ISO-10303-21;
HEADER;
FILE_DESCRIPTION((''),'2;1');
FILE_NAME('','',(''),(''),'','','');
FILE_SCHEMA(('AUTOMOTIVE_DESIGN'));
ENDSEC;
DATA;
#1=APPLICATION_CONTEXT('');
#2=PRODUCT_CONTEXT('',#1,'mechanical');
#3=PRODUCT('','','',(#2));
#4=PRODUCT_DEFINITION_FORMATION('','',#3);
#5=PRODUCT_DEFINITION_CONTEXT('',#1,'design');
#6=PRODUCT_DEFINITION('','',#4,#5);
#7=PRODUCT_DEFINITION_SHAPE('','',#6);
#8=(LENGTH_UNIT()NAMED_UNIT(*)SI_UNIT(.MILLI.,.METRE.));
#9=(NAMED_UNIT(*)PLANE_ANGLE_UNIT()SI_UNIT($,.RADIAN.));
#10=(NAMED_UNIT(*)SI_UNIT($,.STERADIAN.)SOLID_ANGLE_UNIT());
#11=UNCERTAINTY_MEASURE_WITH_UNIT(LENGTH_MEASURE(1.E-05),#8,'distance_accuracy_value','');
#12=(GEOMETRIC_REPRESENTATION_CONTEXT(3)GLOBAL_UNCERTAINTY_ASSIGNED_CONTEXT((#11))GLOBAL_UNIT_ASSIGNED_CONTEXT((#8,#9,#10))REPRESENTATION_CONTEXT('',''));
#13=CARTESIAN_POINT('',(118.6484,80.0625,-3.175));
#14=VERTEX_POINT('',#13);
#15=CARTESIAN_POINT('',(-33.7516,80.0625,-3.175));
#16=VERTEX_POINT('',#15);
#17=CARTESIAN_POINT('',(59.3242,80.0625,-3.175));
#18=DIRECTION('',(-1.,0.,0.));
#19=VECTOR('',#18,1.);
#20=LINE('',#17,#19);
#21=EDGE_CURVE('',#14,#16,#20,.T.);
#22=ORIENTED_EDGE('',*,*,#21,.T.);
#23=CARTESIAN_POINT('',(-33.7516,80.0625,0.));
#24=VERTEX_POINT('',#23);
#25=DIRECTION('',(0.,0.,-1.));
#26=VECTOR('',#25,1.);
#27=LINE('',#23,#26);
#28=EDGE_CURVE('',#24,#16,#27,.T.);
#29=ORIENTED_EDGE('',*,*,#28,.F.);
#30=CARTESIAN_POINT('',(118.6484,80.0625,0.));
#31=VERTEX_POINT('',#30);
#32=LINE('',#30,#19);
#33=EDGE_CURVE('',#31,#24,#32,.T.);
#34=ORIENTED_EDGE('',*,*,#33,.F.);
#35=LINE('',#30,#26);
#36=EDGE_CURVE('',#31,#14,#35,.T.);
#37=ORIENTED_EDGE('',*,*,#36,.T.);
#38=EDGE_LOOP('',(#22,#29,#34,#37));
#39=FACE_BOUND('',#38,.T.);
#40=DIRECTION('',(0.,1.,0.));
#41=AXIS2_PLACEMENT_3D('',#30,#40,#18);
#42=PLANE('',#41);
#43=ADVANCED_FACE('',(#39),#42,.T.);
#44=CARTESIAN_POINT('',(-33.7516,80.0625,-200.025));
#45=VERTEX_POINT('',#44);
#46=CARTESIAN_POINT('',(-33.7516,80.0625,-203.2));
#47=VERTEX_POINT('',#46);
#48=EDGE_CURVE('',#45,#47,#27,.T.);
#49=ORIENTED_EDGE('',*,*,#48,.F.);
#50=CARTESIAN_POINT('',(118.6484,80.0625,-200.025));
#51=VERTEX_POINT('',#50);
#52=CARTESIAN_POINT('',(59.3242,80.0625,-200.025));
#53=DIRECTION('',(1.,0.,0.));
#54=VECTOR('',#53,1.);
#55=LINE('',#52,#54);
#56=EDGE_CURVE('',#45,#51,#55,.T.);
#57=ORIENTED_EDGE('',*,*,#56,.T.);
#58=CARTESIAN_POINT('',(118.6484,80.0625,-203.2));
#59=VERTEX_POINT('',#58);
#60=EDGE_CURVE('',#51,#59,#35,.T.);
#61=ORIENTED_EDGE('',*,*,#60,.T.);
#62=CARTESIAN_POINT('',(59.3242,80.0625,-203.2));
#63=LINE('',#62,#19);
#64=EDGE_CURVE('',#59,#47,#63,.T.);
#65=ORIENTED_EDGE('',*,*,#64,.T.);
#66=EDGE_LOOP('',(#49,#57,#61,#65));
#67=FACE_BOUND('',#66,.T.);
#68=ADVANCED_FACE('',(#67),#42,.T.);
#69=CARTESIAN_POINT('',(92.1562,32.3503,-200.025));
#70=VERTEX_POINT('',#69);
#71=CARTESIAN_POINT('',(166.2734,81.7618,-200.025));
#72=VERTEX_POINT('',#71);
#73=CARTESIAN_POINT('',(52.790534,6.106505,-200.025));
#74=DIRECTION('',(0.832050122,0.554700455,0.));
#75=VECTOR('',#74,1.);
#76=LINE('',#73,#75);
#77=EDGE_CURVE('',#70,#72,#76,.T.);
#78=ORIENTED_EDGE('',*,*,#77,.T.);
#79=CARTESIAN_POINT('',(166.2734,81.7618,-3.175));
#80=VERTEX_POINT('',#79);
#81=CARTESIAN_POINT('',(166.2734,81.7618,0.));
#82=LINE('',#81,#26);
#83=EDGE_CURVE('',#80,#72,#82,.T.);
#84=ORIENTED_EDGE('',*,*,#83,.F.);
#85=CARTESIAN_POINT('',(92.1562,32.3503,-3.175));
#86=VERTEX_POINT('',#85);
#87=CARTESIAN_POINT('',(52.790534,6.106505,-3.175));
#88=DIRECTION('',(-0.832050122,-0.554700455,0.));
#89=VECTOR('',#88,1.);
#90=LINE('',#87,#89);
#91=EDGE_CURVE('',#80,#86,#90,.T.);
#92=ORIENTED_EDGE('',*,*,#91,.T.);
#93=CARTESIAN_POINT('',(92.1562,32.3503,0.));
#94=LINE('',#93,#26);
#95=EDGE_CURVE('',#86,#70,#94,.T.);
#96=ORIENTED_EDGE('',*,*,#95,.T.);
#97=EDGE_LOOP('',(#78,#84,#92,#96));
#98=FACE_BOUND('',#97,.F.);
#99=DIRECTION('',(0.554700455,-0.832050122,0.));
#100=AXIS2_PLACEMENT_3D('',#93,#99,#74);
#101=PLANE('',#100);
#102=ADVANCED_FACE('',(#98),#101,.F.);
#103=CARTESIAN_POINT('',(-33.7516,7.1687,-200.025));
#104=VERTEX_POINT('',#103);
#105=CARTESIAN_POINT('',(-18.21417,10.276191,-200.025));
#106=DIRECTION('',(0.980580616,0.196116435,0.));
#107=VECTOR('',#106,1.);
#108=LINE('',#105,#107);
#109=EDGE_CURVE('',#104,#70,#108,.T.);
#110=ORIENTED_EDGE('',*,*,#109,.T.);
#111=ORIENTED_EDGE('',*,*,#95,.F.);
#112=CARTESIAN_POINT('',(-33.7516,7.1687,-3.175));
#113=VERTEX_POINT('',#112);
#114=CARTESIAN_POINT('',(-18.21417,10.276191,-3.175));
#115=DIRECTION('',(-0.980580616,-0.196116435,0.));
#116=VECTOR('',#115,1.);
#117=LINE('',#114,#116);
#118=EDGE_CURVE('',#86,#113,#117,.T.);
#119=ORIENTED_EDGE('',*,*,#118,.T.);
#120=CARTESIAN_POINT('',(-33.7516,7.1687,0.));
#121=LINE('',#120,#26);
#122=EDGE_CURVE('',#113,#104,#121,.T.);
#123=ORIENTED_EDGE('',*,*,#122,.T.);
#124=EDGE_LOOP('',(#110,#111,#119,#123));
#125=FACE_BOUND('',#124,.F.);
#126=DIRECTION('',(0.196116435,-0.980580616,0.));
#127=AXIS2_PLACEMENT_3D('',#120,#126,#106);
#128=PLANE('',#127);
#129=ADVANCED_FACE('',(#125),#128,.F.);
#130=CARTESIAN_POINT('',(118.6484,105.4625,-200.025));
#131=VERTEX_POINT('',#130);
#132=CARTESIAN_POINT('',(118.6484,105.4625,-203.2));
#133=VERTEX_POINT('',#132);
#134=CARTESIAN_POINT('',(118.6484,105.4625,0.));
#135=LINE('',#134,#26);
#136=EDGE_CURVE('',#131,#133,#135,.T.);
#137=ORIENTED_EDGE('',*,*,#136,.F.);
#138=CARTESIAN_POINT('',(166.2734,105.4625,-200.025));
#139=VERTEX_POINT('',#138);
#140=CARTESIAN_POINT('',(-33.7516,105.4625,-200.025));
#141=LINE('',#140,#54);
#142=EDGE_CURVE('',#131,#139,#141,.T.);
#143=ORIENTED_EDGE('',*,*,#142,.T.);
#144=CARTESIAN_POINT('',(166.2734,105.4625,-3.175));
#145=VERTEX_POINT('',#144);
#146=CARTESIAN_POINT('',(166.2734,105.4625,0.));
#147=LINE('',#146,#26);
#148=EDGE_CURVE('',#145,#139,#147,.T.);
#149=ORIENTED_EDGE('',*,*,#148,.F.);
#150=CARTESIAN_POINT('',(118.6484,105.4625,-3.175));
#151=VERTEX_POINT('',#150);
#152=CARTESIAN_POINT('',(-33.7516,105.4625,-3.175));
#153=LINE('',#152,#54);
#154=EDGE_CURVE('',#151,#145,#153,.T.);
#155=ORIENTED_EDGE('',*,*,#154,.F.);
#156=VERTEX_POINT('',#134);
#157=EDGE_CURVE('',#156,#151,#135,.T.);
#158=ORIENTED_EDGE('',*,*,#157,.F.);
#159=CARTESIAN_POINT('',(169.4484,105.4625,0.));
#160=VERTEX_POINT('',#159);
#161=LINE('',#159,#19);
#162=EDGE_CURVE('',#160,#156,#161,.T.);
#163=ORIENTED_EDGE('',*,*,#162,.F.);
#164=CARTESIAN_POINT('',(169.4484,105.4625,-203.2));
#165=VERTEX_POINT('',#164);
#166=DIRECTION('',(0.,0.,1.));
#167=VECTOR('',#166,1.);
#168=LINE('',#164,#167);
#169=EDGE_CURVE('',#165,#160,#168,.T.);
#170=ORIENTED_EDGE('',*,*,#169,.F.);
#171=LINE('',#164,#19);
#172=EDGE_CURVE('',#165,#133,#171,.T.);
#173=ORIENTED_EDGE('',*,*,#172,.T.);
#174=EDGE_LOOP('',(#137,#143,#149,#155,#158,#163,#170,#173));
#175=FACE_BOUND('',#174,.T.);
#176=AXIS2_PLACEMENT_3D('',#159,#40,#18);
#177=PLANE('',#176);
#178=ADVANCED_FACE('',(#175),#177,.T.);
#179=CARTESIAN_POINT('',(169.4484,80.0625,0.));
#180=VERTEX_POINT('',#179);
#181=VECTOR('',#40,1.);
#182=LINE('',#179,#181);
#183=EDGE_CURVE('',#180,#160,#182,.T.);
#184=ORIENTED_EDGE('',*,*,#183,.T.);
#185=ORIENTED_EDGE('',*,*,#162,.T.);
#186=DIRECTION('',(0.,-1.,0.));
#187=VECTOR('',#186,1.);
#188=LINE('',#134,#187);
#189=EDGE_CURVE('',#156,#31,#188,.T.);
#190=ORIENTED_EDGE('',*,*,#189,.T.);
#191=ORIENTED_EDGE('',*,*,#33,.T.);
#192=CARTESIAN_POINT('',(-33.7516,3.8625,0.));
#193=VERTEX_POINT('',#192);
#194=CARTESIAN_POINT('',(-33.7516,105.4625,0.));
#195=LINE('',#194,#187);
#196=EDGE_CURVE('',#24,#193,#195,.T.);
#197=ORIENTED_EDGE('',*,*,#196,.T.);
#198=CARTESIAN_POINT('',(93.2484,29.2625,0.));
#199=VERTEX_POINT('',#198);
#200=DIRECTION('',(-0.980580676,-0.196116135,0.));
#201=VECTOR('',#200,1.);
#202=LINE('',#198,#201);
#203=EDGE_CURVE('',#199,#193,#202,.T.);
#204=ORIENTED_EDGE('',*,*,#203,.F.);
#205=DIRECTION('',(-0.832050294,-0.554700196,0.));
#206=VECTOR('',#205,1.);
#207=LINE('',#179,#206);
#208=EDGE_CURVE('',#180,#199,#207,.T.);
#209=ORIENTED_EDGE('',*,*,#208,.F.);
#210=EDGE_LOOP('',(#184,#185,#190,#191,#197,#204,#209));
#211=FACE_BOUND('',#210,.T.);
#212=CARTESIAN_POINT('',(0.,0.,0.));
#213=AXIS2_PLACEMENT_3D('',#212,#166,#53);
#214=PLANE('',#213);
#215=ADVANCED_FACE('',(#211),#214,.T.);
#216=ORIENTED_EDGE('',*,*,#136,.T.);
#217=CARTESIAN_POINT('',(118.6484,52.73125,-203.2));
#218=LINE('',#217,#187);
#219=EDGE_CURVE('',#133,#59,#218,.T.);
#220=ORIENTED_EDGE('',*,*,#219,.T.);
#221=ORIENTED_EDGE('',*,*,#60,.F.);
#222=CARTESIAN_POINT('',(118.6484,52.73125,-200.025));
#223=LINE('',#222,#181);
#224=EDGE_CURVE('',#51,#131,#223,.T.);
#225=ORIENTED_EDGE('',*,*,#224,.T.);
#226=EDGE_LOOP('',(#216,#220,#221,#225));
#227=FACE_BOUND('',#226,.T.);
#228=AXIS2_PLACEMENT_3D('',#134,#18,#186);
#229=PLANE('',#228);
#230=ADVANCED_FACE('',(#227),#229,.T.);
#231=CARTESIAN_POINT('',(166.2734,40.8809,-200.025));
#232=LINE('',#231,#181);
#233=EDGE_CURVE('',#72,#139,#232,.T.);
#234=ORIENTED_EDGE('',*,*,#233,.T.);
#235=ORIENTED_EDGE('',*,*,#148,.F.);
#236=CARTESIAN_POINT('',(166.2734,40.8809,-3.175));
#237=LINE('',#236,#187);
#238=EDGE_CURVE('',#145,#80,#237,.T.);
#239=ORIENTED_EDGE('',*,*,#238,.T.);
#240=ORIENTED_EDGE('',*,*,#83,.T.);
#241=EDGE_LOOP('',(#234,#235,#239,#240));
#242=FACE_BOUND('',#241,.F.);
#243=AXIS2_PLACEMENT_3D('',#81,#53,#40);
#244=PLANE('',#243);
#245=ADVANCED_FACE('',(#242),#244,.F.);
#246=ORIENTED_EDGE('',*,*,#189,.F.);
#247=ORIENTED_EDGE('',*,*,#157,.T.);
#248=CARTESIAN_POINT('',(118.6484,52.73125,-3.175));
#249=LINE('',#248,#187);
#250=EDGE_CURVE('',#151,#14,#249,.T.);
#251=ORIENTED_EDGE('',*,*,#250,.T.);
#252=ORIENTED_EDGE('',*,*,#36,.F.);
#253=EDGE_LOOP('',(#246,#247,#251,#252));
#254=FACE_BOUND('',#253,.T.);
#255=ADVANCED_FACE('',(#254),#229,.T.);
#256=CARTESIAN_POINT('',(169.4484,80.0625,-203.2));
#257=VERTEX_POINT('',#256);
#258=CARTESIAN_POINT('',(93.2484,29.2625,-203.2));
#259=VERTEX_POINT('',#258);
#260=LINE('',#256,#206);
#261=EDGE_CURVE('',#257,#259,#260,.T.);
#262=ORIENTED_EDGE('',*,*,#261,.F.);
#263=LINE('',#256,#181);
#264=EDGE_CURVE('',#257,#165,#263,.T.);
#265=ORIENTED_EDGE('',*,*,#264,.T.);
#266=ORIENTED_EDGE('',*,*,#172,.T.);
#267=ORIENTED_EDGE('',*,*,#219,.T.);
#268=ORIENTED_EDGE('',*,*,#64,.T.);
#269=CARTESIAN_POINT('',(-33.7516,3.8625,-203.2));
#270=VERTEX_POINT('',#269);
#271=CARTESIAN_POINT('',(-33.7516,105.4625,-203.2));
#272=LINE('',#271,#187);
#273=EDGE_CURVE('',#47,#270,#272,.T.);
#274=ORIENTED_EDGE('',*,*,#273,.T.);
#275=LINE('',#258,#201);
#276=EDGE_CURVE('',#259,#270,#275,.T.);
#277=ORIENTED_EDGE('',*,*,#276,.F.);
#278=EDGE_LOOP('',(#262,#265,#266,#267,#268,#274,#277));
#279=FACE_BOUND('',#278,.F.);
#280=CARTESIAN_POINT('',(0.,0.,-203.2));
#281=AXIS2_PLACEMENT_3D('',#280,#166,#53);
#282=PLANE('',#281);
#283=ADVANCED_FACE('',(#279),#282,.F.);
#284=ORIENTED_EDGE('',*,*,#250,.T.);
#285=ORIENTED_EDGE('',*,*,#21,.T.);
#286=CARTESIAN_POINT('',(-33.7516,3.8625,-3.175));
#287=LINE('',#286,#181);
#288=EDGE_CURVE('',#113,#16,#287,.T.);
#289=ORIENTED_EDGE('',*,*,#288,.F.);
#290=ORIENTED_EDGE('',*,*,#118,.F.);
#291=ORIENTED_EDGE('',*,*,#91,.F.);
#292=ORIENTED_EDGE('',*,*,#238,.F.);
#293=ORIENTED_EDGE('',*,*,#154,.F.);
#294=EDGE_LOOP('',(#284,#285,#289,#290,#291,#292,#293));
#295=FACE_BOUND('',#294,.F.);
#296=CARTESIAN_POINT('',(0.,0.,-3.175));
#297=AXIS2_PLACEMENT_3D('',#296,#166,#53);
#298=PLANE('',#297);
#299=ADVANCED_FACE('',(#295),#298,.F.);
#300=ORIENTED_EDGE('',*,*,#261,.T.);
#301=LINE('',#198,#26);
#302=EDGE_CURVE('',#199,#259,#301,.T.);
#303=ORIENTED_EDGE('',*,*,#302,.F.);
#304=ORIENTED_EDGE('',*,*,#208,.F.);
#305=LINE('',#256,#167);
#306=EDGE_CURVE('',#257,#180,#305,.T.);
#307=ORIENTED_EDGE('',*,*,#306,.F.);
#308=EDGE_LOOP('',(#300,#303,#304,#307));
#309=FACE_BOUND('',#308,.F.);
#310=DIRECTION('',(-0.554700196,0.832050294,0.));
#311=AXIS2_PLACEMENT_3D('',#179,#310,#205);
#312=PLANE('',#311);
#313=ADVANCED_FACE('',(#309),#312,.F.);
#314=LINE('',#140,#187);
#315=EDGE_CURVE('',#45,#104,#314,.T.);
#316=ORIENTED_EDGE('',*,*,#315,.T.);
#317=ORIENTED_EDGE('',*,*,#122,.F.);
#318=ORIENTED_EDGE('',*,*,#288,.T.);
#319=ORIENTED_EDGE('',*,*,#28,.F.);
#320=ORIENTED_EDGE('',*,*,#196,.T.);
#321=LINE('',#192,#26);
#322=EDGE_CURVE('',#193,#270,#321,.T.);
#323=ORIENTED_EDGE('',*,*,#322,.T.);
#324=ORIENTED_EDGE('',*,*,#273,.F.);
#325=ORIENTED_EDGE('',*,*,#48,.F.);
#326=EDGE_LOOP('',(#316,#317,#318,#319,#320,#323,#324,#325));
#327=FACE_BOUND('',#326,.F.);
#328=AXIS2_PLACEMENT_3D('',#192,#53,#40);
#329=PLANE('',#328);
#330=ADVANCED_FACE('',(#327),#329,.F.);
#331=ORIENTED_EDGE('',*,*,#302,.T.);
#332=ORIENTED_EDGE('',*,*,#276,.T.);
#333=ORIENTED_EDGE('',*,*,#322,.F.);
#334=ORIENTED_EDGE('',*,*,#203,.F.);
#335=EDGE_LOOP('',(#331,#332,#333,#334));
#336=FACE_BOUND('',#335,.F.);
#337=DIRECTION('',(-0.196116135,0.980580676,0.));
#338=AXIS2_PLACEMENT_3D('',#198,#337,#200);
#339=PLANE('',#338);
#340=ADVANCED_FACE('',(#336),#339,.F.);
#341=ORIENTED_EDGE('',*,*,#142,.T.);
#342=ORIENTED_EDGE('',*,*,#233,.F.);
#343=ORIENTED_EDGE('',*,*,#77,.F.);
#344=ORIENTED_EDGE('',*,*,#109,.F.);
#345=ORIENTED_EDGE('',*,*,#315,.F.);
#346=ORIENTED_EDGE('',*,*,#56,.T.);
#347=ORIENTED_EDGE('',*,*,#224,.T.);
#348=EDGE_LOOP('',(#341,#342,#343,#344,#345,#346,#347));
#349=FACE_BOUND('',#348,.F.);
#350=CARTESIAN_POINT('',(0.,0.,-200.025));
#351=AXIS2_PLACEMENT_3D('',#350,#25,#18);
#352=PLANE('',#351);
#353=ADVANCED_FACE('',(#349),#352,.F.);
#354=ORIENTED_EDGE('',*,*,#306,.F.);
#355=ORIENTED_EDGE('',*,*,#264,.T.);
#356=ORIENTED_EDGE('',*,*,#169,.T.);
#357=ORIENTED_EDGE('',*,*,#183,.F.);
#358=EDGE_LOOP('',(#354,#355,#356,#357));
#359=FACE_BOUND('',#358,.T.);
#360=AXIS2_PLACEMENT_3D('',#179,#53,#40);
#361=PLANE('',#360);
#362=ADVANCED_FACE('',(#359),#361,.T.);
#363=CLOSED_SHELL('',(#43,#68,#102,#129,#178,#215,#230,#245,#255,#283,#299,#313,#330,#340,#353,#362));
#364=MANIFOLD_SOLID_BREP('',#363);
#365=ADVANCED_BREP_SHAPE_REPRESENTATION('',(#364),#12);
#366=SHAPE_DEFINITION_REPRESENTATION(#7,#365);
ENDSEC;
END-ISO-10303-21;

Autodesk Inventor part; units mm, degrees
ref_plane "YZ Plane" through (0, 0, 0) normal (1, 0, 0) x (0, 1, 0)
ref_plane "XZ Plane" through (0, 0, 0) normal (0, 1, 0) x (-1, 0, 0)
ref_plane "XY Plane" through (0, 0, 0) normal (0, 0, 1) x (1, 0, 0)
sketch "Sketch1" plane through (0, 0, 0) normal (0, 0, 1) x (1, 0, 0)
  line L0 (169.4484, 80.0625) -> (169.4484, 105.4625)
  line L1 (169.4484, 105.4625) -> (166.2734, 105.4625)
  line L2 (-33.7516, 3.8625) -> (-33.7516, 105.4625)
  line L3 (-33.7516, 105.4625) -> (166.2734, 105.4625)
  line L4 (-33.7516, 105.4625) -> (118.6484, 105.4625)
  line L5 (118.6484, 105.4625) -> (118.6484, 80.0625)
  line L6 (118.6484, 80.0625) -> (-33.7516, 80.0625)
  line L7 (-33.7516, 80.0625) -> (-33.7516, 105.4625)
  line L8 (169.4484, 80.0625) -> (93.2484, 29.2625)
  line L9 (93.2484, 29.2625) -> (-33.7516, 3.8625)
  line L10 (92.0098, 32.2527) -> (166.2734, 81.7618)
  line L11 (166.2734, 102.2875) -> (166.2734, 102.2875)
  line L12 (166.2734, 81.7618) -> (166.2734, 105.4625)
  line L13 (-33.7516, 7.1687) -> (92.1562, 32.3503)
  line L14 (118.6484, 105.4625) -> (166.2734, 105.4625)
  line L15 (-33.7516, 7.1687) -> (-33.7516, 80.0625)
  point P0 (0, 0)
  point P1 (-21.0516, 92.7625)
  point P2 (4.3484, 92.7625)
  dimension "d2" = 25.4
  dimension "d3" = 203.2
  dimension "d4" = 76.2
  dimension "d15" = 12.7
  dimension "d16" = 25.4
  dimension "d17" = 12.7
  dimension "d25" = 152.4
  dimension "d26" = 25.4
  dimension "d29" = 50.8
  dimension "d30" = 76.2
  dimension "d31" = 3.175
extrude "Extrusion1" add sketch "Sketch1" against normal blind 203.2 contours L8 L9 L2 L13 L10 L12 L1 L0
extrude "Extrusion3" add sketch "Sketch1" against normal blind 3.175
sketch "Sketch2" plane through (0, 0, -203.2) normal (0, 0, -1) x (-1, 0, 0)
  line L0 (-169.4484, 80.0625) -> (-169.4484, 105.4625) projected
  line L1 (33.7516, 3.8625) -> (-169.4484, 80.0625) projected
  line L2 (-169.4484, 105.4625) -> (-166.2734, 105.4625) projected
  line L3 (-166.2734, 105.4625) -> (33.7516, 105.4625)
  line L4 (33.7516, 105.4625) -> (33.7516, 3.8625)
  line L5 (-93.2484, 29.2625) -> (-169.4484, 80.0625) projected
  line L6 (33.7516, 3.8625) -> (-93.2484, 29.2625) projected
  line L7 (-166.2734, 81.7618) -> (-166.2734, 105.4625) projected
  line L8 (-93.2484, 29.2625) -> (-169.4484, 80.0625)
  line L9 (-169.4484, 80.0625) -> (-169.4484, 105.4625)
  line L10 (-169.4484, 105.4625) -> (-166.2734, 105.4625)
  line L11 (-166.2734, 105.4625) -> (-166.2734, 81.7618)
  line L12 (-92.1562, 32.3503) -> (-166.2734, 81.7618)
  line L13 (33.7516, 3.8625) -> (-93.2484, 29.2625)
  line L14 (-92.1562, 32.3503) -> (33.7516, 7.1687)
  point P0 (0, 0)
extrude "Extrusion4" add sketch "Sketch2" against normal blind 3.175
hole "Hole1" at (-21.0516, 92.7625, 0) at (4.3484, 92.7625, 0) direction (0, 0, -1) diameter 6.35 depth 254 tip angle 118
extrude "Extrusion5" cut sketch "Sketch1" against normal blind 228.6 contours L5 L6 L2 L3
properties part number "ramp1"
